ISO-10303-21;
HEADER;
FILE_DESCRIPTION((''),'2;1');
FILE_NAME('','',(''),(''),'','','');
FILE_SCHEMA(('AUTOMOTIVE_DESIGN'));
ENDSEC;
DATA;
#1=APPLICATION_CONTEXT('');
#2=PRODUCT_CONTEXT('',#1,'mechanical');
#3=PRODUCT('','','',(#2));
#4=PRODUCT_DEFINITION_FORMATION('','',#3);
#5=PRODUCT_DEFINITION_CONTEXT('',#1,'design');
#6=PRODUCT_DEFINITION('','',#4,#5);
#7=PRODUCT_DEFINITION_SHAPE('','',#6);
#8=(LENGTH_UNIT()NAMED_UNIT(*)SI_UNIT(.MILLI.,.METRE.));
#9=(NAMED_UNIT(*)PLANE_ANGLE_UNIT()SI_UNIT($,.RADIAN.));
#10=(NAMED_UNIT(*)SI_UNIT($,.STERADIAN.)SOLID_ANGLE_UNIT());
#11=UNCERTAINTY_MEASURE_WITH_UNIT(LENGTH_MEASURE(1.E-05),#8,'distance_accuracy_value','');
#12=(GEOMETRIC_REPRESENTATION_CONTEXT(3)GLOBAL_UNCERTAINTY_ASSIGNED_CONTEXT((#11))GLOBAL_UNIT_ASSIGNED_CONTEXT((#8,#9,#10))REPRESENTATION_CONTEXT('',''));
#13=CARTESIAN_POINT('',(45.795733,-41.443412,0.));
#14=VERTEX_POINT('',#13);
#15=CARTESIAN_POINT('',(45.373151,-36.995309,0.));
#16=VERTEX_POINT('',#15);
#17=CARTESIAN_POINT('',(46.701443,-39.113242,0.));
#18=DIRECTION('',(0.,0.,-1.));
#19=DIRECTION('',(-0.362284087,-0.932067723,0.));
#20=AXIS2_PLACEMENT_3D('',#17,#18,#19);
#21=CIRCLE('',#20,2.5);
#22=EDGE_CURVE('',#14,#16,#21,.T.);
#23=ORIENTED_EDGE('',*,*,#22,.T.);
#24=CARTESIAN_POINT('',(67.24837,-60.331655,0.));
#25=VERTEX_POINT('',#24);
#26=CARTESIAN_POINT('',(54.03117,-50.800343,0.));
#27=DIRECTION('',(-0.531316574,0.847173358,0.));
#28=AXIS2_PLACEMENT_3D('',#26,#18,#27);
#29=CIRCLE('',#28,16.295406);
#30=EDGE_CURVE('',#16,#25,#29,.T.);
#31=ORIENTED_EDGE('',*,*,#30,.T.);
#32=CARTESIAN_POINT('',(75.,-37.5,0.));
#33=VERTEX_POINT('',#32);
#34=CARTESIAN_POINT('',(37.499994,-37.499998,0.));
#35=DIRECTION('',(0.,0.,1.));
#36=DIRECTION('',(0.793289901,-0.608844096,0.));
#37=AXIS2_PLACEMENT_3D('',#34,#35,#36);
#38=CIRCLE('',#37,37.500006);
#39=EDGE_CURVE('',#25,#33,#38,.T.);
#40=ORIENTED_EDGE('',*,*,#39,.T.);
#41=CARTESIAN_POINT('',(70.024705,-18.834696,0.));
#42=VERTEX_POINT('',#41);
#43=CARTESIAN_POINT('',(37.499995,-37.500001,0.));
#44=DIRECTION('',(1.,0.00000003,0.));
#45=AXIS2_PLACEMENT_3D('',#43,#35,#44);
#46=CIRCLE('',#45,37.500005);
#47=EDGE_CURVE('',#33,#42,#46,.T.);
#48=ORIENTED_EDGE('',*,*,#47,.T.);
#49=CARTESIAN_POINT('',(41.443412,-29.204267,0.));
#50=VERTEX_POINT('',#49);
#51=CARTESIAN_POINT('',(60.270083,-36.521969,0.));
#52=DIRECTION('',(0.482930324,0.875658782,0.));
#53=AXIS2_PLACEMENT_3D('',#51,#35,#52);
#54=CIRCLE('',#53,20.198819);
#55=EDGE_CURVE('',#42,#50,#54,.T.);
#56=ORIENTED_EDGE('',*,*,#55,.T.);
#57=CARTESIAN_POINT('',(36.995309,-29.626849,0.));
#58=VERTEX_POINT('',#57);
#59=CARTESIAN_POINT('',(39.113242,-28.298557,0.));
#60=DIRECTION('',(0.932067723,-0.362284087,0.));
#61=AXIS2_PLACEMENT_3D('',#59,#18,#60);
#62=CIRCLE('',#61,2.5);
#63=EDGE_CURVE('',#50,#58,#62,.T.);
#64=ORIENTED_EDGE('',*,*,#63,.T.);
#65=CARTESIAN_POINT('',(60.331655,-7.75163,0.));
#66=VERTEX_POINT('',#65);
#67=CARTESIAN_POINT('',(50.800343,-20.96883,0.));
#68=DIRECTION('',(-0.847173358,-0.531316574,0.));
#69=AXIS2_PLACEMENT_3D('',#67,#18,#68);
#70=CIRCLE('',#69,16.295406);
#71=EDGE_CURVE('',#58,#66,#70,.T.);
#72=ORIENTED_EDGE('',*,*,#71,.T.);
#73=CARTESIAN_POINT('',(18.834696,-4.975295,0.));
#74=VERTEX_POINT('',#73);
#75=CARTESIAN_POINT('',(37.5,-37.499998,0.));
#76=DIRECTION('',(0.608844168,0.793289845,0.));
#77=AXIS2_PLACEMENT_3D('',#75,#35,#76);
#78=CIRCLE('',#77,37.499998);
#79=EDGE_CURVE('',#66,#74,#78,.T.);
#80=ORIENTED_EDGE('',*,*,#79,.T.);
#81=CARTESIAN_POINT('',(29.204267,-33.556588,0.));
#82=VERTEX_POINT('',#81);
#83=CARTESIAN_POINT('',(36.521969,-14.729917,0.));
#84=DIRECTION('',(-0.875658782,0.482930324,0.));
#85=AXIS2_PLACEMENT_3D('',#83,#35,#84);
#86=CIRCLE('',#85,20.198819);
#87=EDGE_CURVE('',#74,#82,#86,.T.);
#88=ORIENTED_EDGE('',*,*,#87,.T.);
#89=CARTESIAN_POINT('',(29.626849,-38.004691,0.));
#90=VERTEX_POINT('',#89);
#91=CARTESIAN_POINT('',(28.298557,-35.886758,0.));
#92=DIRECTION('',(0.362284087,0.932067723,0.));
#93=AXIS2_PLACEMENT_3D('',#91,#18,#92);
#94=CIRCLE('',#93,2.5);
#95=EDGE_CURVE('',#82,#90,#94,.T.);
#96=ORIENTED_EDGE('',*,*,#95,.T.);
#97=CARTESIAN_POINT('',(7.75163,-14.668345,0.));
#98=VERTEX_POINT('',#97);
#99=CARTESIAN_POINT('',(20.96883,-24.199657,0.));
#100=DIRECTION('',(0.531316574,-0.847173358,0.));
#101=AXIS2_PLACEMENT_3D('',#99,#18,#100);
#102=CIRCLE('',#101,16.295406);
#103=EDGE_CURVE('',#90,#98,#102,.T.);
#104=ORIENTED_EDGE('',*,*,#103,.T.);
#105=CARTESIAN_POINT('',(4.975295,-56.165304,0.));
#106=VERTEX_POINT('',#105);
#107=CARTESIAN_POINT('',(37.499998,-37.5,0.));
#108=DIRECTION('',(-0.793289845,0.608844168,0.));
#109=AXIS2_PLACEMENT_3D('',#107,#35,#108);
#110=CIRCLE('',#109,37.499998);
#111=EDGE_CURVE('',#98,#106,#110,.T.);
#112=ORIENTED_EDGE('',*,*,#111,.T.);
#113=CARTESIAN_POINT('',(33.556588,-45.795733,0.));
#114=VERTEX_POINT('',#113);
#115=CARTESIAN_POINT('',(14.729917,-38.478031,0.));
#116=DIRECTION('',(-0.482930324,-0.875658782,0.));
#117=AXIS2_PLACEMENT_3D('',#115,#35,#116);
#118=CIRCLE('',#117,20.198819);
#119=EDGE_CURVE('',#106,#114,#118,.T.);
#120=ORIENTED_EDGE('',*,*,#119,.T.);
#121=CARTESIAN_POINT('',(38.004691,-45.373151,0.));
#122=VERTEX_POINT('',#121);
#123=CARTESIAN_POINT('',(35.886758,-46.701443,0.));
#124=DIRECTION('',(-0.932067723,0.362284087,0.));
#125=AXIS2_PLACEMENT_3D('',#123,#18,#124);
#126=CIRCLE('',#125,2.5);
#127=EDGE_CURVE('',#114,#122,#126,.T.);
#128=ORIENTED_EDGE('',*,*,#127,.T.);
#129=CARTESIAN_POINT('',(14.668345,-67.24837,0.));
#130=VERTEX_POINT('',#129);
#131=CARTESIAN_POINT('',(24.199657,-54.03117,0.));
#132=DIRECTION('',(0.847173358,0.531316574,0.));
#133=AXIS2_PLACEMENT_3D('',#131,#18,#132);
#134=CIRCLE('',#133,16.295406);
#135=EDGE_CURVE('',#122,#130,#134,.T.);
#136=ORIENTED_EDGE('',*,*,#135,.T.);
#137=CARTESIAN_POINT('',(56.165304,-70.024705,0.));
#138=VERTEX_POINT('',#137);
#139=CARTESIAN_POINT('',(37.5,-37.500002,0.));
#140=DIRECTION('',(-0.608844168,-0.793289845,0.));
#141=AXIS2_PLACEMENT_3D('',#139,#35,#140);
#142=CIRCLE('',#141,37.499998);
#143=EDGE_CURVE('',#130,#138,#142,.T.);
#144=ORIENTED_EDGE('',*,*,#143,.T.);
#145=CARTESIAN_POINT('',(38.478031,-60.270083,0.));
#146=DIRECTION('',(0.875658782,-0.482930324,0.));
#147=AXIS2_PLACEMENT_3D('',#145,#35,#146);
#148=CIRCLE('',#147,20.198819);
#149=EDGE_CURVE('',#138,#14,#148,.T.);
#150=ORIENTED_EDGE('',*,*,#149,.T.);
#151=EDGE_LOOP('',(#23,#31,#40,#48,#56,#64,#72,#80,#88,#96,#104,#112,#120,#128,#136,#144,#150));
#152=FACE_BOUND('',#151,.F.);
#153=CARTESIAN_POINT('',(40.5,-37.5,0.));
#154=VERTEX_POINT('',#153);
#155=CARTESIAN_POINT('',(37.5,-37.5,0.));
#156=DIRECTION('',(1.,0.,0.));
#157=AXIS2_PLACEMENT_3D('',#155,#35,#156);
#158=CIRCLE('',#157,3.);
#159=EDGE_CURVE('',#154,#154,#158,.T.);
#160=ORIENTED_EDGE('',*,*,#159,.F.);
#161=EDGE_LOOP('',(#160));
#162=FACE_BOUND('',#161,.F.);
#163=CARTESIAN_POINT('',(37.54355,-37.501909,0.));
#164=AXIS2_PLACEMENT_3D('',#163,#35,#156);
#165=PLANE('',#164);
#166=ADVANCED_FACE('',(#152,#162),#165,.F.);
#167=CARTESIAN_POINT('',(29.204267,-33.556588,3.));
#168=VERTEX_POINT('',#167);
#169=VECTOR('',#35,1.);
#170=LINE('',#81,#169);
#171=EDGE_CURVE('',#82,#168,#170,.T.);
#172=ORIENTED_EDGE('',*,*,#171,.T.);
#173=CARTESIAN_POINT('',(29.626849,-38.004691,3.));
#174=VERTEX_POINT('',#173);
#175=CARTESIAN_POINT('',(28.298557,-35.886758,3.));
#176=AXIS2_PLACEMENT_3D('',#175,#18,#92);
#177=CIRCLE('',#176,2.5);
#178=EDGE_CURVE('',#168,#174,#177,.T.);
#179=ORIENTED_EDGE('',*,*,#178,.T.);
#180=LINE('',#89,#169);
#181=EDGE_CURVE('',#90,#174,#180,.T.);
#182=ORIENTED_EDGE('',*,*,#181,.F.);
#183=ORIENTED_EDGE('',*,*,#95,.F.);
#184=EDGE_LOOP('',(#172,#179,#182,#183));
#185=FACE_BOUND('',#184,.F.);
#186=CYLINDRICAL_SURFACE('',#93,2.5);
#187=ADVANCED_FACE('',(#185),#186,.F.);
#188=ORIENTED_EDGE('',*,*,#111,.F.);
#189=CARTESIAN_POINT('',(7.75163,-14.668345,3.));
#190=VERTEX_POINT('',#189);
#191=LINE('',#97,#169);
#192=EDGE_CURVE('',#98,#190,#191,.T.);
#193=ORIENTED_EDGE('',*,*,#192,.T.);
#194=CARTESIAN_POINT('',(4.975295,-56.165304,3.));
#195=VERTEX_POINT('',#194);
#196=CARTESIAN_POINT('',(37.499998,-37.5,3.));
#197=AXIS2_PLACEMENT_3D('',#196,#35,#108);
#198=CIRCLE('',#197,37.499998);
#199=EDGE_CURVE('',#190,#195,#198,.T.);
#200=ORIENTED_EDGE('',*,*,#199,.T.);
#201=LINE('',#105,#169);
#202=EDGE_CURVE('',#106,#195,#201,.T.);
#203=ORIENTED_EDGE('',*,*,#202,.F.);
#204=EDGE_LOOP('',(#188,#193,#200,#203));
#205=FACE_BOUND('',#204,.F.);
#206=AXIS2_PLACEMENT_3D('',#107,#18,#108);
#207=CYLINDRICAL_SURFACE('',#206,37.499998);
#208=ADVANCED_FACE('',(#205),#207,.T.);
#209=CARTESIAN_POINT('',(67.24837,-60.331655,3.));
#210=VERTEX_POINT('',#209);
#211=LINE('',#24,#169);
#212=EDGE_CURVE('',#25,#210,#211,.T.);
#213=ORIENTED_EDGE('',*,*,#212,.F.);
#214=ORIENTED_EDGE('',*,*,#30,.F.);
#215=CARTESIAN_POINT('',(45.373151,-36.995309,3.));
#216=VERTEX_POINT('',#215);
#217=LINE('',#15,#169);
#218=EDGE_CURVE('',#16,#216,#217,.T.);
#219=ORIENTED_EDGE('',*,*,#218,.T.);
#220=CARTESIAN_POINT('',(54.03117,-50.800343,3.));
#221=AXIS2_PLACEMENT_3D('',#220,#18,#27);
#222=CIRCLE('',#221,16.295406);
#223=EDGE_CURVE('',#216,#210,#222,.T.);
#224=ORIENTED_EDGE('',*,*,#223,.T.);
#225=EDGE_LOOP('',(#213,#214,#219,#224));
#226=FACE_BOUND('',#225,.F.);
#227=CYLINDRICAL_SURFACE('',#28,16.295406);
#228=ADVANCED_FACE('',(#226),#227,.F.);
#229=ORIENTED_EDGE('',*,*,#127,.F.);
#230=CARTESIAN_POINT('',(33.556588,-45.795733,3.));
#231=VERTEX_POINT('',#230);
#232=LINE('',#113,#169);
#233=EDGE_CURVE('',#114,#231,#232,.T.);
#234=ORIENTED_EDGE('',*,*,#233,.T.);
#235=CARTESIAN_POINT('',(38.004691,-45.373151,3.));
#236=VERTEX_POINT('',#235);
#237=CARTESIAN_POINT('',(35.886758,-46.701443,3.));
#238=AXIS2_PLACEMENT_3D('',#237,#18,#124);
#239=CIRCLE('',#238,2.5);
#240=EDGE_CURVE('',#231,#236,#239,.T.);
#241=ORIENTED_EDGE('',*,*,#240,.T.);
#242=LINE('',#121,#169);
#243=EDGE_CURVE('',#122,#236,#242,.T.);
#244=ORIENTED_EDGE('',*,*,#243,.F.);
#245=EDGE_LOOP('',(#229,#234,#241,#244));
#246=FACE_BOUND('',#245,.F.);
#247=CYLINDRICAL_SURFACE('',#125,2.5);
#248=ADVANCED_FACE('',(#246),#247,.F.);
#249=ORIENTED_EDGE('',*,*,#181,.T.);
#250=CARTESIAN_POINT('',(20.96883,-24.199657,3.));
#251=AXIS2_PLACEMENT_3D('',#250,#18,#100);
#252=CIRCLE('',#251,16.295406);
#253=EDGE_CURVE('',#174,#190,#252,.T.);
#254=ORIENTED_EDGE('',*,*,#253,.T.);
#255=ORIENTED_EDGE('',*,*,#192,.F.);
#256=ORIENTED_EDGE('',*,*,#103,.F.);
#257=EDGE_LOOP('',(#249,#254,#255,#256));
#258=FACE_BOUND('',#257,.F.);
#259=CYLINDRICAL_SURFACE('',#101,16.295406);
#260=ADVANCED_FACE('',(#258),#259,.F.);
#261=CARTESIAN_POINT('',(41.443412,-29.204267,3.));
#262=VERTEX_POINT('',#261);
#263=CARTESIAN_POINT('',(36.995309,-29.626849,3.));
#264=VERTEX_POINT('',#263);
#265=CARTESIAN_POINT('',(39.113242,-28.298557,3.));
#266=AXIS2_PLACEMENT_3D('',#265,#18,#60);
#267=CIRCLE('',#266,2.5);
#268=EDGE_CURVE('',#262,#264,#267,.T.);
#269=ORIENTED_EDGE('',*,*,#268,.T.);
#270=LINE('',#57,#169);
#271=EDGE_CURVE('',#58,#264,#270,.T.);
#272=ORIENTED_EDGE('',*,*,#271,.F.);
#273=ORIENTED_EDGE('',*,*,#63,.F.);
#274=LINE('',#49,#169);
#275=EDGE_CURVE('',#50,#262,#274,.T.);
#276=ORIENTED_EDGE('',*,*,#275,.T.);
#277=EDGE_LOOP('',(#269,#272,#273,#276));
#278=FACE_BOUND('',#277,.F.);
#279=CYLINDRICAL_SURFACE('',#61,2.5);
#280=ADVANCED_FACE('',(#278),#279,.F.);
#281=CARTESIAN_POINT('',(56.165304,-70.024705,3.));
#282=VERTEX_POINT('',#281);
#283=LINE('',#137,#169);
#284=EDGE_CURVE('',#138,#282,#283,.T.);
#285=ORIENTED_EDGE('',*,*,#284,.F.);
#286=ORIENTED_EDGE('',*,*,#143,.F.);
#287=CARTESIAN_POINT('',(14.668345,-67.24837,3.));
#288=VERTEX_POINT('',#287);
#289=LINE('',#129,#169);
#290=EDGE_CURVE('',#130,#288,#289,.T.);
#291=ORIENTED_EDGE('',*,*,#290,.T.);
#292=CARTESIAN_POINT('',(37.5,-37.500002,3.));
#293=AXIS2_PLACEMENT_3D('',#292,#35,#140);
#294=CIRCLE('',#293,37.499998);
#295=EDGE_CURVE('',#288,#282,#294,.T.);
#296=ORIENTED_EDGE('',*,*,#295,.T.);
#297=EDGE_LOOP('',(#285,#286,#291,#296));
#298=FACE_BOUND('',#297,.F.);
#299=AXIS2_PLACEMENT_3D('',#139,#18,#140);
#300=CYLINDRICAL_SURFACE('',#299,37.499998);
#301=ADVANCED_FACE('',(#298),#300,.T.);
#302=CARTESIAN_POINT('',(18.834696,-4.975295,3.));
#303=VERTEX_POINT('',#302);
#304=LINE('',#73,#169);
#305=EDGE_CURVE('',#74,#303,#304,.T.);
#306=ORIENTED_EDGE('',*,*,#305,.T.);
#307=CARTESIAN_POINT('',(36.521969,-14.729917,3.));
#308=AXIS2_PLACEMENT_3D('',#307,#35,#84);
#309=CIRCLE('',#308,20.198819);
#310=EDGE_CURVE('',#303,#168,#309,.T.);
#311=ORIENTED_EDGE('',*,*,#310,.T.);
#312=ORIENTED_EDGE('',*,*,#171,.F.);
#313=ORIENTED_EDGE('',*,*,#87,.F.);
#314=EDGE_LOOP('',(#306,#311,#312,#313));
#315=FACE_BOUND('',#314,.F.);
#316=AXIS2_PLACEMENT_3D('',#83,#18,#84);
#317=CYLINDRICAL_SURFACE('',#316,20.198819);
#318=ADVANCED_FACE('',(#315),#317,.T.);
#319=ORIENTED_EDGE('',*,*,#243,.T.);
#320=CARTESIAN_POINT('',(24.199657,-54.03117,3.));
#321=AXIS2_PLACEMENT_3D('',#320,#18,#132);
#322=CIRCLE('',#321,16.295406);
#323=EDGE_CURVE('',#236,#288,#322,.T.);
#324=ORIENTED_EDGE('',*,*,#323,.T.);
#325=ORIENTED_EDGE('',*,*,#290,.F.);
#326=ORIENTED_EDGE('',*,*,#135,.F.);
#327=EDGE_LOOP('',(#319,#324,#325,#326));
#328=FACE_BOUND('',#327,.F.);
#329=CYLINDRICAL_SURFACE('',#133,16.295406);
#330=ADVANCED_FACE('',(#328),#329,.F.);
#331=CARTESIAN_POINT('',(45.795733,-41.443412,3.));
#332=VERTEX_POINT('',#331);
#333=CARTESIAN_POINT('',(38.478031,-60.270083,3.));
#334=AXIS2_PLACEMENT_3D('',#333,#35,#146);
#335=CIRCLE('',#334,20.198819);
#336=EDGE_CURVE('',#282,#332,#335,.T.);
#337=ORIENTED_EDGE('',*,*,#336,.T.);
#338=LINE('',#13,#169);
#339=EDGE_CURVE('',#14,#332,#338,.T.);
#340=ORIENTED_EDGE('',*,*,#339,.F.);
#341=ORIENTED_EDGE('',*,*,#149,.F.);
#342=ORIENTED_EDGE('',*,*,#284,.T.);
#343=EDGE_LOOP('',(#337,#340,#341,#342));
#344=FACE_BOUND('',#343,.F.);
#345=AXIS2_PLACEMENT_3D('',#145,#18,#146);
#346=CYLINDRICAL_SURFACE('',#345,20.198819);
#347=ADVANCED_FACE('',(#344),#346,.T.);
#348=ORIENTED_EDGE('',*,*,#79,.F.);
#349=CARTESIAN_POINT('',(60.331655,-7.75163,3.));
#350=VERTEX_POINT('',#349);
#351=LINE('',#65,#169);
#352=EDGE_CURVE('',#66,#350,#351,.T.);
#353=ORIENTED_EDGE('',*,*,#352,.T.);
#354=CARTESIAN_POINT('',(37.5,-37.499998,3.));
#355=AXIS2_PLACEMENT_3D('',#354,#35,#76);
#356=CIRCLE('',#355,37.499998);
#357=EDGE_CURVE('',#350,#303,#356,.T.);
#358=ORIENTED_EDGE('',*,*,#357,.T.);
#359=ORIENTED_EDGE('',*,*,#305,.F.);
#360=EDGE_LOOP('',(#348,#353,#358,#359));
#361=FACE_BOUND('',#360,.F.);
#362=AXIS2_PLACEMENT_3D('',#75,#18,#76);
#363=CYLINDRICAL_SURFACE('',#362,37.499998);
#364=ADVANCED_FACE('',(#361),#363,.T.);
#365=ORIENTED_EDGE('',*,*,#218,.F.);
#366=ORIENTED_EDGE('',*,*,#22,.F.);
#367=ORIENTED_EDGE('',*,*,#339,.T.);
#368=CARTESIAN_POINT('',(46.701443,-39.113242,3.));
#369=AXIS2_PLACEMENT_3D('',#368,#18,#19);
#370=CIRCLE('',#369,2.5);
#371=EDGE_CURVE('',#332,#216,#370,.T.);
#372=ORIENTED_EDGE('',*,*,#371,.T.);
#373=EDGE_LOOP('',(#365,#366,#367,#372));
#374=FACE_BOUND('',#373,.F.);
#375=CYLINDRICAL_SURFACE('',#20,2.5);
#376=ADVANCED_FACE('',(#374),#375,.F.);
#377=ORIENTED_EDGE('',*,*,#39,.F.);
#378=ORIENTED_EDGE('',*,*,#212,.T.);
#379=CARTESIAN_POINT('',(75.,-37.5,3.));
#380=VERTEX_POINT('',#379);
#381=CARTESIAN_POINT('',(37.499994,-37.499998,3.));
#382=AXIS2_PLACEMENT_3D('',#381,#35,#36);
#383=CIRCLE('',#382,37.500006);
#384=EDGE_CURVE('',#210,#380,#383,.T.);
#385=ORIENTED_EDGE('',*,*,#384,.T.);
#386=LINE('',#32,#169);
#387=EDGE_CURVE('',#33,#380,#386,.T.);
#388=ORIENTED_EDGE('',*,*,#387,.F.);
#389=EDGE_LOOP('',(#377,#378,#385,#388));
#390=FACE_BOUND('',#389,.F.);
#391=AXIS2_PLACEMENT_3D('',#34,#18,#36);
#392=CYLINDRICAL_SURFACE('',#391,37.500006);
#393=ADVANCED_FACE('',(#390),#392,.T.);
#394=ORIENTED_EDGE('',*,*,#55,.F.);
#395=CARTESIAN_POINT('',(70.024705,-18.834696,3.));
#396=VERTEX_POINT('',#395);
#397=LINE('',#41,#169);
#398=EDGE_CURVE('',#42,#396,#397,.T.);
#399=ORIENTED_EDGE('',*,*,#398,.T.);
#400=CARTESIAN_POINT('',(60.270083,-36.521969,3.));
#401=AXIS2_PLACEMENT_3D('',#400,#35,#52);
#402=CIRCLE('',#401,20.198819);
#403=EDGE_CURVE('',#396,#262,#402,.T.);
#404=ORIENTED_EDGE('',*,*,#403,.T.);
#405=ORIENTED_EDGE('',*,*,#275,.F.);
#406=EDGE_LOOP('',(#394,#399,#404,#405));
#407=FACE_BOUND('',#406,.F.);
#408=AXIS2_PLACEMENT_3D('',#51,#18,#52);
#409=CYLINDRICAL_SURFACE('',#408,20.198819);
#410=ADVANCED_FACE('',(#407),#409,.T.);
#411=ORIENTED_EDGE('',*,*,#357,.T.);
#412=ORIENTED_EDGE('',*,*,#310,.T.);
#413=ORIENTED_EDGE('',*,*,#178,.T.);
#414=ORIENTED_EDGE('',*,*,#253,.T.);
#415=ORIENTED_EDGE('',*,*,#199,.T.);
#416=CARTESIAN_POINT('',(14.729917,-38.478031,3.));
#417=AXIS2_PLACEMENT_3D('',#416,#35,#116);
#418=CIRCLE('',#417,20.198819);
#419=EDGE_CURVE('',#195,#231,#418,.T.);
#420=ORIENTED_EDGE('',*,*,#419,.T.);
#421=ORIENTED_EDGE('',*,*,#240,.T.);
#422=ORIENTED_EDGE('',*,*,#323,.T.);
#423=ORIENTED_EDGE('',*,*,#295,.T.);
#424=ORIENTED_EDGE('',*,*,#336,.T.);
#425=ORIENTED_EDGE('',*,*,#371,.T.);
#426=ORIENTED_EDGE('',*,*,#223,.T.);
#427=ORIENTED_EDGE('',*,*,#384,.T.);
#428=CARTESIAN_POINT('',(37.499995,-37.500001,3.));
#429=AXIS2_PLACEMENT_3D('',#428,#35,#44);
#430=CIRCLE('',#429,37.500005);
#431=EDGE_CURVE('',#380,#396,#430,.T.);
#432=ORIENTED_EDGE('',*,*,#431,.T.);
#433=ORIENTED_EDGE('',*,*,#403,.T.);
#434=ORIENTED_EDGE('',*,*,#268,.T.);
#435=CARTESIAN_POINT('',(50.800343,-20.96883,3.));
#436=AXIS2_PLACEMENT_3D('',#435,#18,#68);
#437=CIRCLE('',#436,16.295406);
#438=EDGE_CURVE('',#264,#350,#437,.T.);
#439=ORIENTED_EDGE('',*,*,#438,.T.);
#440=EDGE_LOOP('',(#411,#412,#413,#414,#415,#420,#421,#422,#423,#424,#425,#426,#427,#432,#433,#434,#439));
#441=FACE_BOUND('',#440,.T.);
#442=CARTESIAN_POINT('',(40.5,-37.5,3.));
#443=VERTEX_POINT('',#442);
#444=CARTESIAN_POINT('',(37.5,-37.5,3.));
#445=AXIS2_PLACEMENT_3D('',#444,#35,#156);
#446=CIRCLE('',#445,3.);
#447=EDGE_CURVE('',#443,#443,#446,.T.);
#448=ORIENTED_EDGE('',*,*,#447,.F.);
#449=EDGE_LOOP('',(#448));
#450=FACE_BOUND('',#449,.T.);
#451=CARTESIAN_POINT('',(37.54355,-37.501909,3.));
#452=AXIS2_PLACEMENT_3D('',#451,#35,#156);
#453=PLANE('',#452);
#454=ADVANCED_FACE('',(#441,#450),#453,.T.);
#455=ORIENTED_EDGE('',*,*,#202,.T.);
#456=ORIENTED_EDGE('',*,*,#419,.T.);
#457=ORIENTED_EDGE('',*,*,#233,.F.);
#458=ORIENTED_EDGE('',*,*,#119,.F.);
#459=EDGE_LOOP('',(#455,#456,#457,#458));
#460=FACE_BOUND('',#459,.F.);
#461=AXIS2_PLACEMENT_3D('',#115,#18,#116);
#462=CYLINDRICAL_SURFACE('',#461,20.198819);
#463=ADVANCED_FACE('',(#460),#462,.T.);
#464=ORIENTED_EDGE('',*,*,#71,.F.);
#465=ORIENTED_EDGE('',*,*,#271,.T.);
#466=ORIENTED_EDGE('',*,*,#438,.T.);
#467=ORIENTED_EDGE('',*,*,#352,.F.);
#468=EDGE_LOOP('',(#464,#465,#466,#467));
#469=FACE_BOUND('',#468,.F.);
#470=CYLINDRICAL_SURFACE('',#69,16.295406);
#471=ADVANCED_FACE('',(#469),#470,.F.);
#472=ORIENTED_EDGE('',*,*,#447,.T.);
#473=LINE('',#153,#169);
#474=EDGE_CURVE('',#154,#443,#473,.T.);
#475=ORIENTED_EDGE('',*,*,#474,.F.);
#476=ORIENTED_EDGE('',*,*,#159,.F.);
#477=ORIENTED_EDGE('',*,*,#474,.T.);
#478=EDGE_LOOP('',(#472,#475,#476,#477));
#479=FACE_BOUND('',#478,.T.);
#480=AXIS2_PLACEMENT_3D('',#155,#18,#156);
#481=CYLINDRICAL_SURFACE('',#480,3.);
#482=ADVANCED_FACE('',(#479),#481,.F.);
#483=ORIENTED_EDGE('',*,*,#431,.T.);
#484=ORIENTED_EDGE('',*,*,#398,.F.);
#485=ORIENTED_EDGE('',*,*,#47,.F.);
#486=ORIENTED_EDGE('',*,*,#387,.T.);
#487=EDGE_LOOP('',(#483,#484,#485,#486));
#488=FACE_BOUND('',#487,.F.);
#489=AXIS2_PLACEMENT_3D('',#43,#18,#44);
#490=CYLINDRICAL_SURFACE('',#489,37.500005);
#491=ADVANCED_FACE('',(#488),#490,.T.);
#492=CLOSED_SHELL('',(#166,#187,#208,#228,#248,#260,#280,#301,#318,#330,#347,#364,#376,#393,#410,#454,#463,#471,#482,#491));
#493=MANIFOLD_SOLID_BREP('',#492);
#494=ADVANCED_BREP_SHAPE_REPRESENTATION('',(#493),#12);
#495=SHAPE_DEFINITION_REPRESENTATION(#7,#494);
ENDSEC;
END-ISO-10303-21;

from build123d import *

# Parameters (mm, degrees)
F0_R     = 3
F1_DEPTH = 3


with BuildPart() as f1:
    # F0 (on Top) → F1 (new body)
    with BuildSketch(Plane.XY):
        with BuildLine():
            ThreePointArc((67.24837, -60.331655), (73.009251, -49.555831), (75, -37.5))
            ThreePointArc((75, -37.5), (73.734834, -27.841491), (70.024705, -18.834696))
            ThreePointArc((70.024705, -18.834696), (53.381141, -17.534216), (41.443412, -29.204267))
            ThreePointArc((41.443412, -29.204267), (39.349684, -30.787351), (36.995309, -29.626849))
            ThreePointArc((36.995309, -29.626849), (39.655951, -9.080062), (60.331655, -7.75163))
            ThreePointArc((60.331655, -7.75163), (40.003324, -0.083648), (18.834696, -4.975295))
            ThreePointArc((18.834696, -4.975295), (17.534216, -21.618859), (29.204267, -33.556588))
            ThreePointArc((29.204267, -33.556588), (30.787351, -35.650316), (29.626849, -38.004691))
            ThreePointArc((29.626849, -38.004691), (9.080062, -35.344049), (7.75163, -14.668345))
            ThreePointArc((7.75163, -14.668345), (0.083648, -34.996676), (4.975295, -56.165304))
            ThreePointArc((4.975295, -56.165304), (21.618859, -57.465784), (33.556588, -45.795733))
            ThreePointArc((33.556588, -45.795733), (35.650316, -44.212649), (38.004691, -45.373151))
            ThreePointArc((38.004691, -45.373151), (35.344049, -65.919938), (14.668345, -67.24837))
            ThreePointArc((14.668345, -67.24837), (34.996676, -74.916352), (56.165304, -70.024705))
            ThreePointArc((56.165304, -70.024705), (57.465784, -53.381141), (45.795733, -41.443412))
            ThreePointArc((45.795733, -41.443412), (44.212649, -39.349684), (45.373151, -36.995309))
            ThreePointArc((45.373151, -36.995309), (65.919938, -39.655951), (67.24837, -60.331655))
        make_face()
        with Locations((37.5, -37.5)):
            Circle(F0_R, mode=Mode.SUBTRACT)
    extrude(amount=F1_DEPTH)


solid = f1.part
